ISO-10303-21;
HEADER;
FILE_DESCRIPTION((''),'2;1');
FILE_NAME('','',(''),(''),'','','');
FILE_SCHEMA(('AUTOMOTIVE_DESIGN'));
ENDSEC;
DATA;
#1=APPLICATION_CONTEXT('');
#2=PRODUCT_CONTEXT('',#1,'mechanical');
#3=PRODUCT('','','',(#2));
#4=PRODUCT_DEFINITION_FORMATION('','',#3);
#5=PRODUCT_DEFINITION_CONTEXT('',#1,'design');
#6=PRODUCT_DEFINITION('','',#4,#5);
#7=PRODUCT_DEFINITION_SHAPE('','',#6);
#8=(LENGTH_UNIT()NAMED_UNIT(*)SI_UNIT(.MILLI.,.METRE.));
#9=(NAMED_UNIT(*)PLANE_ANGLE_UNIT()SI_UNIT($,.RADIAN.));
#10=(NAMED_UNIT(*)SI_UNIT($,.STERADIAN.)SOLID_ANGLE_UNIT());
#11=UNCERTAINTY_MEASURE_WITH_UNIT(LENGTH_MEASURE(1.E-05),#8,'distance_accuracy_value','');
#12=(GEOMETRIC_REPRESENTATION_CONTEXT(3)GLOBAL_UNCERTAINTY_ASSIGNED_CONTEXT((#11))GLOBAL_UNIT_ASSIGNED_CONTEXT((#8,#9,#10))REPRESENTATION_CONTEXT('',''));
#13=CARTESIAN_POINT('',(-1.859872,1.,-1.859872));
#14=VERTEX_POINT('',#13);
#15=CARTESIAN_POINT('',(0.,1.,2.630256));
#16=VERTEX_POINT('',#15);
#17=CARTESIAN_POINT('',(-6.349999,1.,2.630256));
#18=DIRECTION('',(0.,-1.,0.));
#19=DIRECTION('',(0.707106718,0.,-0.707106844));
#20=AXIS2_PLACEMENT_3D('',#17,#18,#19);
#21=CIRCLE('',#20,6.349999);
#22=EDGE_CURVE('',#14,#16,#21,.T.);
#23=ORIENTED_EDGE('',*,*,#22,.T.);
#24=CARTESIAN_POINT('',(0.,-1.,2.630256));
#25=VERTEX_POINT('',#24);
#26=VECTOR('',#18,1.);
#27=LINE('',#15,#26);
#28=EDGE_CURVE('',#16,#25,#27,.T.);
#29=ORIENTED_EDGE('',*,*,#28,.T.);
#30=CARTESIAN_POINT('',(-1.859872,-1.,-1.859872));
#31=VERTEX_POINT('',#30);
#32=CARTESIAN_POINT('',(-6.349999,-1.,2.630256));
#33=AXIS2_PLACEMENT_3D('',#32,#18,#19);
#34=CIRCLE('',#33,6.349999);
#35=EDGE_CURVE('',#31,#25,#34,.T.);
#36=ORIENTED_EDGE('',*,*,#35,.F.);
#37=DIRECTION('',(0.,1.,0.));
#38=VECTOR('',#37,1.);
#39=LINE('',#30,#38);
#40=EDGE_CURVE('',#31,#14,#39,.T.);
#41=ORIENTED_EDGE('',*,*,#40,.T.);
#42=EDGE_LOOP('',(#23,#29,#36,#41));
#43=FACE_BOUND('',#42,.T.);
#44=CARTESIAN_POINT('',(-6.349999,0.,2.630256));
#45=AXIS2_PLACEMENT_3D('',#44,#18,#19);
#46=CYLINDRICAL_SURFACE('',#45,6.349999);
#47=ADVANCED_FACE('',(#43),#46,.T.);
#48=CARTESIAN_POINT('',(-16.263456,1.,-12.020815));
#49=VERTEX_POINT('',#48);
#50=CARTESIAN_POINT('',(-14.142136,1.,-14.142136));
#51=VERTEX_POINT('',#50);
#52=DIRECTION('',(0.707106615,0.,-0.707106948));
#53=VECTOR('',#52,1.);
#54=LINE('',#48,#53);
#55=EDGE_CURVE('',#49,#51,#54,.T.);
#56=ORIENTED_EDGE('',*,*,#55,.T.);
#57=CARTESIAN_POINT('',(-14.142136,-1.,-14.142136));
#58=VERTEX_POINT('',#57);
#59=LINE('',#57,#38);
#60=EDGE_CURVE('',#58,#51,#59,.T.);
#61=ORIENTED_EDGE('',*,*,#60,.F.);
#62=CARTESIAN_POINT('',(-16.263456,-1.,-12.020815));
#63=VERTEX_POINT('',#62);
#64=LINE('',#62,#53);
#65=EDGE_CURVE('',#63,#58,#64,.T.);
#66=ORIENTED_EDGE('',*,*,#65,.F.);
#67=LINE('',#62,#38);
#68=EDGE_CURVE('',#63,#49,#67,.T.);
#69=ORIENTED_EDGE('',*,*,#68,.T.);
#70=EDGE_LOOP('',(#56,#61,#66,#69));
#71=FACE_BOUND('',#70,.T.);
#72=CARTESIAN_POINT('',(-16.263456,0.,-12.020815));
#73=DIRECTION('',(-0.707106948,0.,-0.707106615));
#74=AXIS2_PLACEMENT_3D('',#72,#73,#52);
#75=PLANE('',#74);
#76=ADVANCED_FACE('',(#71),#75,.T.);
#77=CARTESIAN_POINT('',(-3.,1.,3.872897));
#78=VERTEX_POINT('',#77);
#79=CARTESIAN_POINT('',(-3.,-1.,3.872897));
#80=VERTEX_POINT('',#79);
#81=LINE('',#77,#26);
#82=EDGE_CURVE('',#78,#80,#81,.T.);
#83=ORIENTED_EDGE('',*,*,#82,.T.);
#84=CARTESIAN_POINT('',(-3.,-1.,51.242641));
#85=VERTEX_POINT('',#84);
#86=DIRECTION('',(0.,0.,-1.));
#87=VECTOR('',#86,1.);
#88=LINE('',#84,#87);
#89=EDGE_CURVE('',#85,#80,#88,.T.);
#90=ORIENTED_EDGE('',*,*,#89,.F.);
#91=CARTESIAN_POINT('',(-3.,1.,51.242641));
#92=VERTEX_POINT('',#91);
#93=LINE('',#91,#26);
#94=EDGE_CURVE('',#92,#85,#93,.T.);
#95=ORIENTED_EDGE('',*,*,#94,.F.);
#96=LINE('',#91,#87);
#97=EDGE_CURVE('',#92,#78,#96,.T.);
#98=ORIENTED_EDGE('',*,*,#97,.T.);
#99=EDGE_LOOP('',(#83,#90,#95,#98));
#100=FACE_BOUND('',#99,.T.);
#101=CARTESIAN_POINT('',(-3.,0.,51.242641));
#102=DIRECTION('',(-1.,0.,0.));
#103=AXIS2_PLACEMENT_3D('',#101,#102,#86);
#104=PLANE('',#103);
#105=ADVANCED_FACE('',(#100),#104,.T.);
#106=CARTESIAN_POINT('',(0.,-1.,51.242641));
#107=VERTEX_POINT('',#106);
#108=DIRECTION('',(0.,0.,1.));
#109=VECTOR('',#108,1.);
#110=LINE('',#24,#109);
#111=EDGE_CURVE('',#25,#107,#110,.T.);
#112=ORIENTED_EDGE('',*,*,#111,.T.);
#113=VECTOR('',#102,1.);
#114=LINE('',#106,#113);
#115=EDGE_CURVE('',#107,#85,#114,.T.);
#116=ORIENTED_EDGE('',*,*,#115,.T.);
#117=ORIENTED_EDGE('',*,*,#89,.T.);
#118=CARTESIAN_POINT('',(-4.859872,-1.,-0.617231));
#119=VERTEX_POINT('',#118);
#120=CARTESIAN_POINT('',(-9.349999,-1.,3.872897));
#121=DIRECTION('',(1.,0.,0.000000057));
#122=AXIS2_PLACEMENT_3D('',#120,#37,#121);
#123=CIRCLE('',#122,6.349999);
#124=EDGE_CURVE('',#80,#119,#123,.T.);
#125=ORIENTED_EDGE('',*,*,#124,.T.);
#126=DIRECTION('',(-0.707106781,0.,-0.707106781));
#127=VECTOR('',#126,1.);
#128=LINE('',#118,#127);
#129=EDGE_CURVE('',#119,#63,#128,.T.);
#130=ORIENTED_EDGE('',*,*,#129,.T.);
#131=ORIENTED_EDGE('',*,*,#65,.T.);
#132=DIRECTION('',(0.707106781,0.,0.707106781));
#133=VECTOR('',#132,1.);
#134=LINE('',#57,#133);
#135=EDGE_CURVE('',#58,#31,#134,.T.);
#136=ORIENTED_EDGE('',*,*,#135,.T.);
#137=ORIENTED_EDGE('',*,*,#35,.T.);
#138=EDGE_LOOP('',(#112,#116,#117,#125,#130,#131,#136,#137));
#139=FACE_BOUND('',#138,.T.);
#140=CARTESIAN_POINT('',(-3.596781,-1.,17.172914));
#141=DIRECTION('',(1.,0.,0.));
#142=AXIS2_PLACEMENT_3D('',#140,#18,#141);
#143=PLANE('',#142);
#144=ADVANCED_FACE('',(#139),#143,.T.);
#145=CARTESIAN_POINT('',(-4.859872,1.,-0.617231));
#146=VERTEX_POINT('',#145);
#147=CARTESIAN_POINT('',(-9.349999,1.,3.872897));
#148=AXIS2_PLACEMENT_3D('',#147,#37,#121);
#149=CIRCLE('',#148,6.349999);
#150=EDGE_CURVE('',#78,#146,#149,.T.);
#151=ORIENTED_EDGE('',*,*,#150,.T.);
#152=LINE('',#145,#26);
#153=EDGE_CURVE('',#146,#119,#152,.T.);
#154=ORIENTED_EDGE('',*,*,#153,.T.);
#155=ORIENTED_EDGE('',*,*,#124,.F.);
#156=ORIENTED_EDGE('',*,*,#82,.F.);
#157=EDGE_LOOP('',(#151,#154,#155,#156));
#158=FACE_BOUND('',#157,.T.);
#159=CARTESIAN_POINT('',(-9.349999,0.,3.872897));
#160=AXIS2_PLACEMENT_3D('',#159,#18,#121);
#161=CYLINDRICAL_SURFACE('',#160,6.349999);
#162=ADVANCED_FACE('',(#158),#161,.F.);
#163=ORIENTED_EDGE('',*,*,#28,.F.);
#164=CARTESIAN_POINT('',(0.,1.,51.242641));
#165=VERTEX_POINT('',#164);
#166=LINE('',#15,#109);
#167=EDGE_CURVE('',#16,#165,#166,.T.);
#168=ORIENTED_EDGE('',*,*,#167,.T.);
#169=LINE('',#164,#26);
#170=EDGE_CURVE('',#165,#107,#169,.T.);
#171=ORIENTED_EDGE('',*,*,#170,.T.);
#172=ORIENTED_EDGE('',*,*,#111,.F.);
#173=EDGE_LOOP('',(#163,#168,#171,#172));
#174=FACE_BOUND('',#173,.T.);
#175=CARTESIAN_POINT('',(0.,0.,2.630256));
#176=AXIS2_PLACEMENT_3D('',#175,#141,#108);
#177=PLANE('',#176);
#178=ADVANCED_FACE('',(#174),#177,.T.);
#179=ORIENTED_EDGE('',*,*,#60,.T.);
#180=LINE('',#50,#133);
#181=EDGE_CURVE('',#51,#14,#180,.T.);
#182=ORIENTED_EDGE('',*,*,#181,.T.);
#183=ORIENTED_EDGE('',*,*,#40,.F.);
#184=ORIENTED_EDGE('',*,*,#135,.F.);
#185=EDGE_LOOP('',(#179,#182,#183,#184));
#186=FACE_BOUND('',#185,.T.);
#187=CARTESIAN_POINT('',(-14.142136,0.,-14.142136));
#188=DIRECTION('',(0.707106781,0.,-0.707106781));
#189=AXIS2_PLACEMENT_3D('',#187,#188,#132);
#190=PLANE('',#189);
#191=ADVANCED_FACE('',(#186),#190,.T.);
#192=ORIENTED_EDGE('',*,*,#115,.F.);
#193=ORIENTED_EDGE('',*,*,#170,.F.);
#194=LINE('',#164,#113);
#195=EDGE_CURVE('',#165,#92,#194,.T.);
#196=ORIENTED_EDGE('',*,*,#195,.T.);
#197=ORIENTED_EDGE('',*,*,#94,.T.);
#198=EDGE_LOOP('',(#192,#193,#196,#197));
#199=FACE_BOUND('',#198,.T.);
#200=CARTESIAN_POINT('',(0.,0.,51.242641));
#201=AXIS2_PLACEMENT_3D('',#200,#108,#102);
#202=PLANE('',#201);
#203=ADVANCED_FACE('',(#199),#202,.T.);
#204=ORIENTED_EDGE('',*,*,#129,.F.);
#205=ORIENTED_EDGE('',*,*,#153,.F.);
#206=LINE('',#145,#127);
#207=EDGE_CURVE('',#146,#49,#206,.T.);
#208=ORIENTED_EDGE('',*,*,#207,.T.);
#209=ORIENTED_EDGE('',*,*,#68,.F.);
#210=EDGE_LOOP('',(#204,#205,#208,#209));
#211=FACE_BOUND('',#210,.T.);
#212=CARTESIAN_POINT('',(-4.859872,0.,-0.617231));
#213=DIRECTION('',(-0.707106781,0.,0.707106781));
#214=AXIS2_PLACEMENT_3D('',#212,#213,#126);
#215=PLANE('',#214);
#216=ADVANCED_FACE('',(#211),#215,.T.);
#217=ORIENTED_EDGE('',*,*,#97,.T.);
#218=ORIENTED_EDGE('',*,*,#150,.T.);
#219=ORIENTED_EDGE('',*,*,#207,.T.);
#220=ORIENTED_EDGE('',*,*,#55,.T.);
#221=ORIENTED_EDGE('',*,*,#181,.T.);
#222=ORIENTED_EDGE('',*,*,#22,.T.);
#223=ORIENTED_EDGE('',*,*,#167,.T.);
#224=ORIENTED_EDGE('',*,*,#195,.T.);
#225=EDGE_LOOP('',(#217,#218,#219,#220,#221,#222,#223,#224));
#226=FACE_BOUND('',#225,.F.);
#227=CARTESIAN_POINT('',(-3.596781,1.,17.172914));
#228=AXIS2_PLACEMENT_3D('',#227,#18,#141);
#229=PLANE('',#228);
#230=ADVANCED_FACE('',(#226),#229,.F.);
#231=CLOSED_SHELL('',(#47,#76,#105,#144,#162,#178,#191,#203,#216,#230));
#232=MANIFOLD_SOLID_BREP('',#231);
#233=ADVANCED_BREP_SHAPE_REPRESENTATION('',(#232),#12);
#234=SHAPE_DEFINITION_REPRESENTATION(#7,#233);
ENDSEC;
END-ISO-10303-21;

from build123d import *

# Parameters (mm, degrees)
F1_DEPTH = 1


with BuildPart() as f1:
    # F0 (on Front) → F1 (new body, symmetric)
    with BuildSketch(Plane.XZ):
        with BuildLine():
            ThreePointArc((-1.859872, -1.859872), (-0.483365, 0.200216), (0, 2.630256))
            Line((0, 2.630256), (0, 51.242641))
            Line((0, 51.242641), (-3, 51.242641))
            Line((-3, 51.242641), (-3, 3.872897))
            ThreePointArc((-3, 3.872897), (-3.483365, 1.442857), (-4.859872, -0.617231))
            Line((-4.859872, -0.617231), (-16.263456, -12.020815))
            Line((-16.263456, -12.020815), (-14.142136, -14.142136))
            Line((-14.142136, -14.142136), (-1.859872, -1.859872))
        make_face()
    extrude(amount=F1_DEPTH, both=True)


solid = f1.part
